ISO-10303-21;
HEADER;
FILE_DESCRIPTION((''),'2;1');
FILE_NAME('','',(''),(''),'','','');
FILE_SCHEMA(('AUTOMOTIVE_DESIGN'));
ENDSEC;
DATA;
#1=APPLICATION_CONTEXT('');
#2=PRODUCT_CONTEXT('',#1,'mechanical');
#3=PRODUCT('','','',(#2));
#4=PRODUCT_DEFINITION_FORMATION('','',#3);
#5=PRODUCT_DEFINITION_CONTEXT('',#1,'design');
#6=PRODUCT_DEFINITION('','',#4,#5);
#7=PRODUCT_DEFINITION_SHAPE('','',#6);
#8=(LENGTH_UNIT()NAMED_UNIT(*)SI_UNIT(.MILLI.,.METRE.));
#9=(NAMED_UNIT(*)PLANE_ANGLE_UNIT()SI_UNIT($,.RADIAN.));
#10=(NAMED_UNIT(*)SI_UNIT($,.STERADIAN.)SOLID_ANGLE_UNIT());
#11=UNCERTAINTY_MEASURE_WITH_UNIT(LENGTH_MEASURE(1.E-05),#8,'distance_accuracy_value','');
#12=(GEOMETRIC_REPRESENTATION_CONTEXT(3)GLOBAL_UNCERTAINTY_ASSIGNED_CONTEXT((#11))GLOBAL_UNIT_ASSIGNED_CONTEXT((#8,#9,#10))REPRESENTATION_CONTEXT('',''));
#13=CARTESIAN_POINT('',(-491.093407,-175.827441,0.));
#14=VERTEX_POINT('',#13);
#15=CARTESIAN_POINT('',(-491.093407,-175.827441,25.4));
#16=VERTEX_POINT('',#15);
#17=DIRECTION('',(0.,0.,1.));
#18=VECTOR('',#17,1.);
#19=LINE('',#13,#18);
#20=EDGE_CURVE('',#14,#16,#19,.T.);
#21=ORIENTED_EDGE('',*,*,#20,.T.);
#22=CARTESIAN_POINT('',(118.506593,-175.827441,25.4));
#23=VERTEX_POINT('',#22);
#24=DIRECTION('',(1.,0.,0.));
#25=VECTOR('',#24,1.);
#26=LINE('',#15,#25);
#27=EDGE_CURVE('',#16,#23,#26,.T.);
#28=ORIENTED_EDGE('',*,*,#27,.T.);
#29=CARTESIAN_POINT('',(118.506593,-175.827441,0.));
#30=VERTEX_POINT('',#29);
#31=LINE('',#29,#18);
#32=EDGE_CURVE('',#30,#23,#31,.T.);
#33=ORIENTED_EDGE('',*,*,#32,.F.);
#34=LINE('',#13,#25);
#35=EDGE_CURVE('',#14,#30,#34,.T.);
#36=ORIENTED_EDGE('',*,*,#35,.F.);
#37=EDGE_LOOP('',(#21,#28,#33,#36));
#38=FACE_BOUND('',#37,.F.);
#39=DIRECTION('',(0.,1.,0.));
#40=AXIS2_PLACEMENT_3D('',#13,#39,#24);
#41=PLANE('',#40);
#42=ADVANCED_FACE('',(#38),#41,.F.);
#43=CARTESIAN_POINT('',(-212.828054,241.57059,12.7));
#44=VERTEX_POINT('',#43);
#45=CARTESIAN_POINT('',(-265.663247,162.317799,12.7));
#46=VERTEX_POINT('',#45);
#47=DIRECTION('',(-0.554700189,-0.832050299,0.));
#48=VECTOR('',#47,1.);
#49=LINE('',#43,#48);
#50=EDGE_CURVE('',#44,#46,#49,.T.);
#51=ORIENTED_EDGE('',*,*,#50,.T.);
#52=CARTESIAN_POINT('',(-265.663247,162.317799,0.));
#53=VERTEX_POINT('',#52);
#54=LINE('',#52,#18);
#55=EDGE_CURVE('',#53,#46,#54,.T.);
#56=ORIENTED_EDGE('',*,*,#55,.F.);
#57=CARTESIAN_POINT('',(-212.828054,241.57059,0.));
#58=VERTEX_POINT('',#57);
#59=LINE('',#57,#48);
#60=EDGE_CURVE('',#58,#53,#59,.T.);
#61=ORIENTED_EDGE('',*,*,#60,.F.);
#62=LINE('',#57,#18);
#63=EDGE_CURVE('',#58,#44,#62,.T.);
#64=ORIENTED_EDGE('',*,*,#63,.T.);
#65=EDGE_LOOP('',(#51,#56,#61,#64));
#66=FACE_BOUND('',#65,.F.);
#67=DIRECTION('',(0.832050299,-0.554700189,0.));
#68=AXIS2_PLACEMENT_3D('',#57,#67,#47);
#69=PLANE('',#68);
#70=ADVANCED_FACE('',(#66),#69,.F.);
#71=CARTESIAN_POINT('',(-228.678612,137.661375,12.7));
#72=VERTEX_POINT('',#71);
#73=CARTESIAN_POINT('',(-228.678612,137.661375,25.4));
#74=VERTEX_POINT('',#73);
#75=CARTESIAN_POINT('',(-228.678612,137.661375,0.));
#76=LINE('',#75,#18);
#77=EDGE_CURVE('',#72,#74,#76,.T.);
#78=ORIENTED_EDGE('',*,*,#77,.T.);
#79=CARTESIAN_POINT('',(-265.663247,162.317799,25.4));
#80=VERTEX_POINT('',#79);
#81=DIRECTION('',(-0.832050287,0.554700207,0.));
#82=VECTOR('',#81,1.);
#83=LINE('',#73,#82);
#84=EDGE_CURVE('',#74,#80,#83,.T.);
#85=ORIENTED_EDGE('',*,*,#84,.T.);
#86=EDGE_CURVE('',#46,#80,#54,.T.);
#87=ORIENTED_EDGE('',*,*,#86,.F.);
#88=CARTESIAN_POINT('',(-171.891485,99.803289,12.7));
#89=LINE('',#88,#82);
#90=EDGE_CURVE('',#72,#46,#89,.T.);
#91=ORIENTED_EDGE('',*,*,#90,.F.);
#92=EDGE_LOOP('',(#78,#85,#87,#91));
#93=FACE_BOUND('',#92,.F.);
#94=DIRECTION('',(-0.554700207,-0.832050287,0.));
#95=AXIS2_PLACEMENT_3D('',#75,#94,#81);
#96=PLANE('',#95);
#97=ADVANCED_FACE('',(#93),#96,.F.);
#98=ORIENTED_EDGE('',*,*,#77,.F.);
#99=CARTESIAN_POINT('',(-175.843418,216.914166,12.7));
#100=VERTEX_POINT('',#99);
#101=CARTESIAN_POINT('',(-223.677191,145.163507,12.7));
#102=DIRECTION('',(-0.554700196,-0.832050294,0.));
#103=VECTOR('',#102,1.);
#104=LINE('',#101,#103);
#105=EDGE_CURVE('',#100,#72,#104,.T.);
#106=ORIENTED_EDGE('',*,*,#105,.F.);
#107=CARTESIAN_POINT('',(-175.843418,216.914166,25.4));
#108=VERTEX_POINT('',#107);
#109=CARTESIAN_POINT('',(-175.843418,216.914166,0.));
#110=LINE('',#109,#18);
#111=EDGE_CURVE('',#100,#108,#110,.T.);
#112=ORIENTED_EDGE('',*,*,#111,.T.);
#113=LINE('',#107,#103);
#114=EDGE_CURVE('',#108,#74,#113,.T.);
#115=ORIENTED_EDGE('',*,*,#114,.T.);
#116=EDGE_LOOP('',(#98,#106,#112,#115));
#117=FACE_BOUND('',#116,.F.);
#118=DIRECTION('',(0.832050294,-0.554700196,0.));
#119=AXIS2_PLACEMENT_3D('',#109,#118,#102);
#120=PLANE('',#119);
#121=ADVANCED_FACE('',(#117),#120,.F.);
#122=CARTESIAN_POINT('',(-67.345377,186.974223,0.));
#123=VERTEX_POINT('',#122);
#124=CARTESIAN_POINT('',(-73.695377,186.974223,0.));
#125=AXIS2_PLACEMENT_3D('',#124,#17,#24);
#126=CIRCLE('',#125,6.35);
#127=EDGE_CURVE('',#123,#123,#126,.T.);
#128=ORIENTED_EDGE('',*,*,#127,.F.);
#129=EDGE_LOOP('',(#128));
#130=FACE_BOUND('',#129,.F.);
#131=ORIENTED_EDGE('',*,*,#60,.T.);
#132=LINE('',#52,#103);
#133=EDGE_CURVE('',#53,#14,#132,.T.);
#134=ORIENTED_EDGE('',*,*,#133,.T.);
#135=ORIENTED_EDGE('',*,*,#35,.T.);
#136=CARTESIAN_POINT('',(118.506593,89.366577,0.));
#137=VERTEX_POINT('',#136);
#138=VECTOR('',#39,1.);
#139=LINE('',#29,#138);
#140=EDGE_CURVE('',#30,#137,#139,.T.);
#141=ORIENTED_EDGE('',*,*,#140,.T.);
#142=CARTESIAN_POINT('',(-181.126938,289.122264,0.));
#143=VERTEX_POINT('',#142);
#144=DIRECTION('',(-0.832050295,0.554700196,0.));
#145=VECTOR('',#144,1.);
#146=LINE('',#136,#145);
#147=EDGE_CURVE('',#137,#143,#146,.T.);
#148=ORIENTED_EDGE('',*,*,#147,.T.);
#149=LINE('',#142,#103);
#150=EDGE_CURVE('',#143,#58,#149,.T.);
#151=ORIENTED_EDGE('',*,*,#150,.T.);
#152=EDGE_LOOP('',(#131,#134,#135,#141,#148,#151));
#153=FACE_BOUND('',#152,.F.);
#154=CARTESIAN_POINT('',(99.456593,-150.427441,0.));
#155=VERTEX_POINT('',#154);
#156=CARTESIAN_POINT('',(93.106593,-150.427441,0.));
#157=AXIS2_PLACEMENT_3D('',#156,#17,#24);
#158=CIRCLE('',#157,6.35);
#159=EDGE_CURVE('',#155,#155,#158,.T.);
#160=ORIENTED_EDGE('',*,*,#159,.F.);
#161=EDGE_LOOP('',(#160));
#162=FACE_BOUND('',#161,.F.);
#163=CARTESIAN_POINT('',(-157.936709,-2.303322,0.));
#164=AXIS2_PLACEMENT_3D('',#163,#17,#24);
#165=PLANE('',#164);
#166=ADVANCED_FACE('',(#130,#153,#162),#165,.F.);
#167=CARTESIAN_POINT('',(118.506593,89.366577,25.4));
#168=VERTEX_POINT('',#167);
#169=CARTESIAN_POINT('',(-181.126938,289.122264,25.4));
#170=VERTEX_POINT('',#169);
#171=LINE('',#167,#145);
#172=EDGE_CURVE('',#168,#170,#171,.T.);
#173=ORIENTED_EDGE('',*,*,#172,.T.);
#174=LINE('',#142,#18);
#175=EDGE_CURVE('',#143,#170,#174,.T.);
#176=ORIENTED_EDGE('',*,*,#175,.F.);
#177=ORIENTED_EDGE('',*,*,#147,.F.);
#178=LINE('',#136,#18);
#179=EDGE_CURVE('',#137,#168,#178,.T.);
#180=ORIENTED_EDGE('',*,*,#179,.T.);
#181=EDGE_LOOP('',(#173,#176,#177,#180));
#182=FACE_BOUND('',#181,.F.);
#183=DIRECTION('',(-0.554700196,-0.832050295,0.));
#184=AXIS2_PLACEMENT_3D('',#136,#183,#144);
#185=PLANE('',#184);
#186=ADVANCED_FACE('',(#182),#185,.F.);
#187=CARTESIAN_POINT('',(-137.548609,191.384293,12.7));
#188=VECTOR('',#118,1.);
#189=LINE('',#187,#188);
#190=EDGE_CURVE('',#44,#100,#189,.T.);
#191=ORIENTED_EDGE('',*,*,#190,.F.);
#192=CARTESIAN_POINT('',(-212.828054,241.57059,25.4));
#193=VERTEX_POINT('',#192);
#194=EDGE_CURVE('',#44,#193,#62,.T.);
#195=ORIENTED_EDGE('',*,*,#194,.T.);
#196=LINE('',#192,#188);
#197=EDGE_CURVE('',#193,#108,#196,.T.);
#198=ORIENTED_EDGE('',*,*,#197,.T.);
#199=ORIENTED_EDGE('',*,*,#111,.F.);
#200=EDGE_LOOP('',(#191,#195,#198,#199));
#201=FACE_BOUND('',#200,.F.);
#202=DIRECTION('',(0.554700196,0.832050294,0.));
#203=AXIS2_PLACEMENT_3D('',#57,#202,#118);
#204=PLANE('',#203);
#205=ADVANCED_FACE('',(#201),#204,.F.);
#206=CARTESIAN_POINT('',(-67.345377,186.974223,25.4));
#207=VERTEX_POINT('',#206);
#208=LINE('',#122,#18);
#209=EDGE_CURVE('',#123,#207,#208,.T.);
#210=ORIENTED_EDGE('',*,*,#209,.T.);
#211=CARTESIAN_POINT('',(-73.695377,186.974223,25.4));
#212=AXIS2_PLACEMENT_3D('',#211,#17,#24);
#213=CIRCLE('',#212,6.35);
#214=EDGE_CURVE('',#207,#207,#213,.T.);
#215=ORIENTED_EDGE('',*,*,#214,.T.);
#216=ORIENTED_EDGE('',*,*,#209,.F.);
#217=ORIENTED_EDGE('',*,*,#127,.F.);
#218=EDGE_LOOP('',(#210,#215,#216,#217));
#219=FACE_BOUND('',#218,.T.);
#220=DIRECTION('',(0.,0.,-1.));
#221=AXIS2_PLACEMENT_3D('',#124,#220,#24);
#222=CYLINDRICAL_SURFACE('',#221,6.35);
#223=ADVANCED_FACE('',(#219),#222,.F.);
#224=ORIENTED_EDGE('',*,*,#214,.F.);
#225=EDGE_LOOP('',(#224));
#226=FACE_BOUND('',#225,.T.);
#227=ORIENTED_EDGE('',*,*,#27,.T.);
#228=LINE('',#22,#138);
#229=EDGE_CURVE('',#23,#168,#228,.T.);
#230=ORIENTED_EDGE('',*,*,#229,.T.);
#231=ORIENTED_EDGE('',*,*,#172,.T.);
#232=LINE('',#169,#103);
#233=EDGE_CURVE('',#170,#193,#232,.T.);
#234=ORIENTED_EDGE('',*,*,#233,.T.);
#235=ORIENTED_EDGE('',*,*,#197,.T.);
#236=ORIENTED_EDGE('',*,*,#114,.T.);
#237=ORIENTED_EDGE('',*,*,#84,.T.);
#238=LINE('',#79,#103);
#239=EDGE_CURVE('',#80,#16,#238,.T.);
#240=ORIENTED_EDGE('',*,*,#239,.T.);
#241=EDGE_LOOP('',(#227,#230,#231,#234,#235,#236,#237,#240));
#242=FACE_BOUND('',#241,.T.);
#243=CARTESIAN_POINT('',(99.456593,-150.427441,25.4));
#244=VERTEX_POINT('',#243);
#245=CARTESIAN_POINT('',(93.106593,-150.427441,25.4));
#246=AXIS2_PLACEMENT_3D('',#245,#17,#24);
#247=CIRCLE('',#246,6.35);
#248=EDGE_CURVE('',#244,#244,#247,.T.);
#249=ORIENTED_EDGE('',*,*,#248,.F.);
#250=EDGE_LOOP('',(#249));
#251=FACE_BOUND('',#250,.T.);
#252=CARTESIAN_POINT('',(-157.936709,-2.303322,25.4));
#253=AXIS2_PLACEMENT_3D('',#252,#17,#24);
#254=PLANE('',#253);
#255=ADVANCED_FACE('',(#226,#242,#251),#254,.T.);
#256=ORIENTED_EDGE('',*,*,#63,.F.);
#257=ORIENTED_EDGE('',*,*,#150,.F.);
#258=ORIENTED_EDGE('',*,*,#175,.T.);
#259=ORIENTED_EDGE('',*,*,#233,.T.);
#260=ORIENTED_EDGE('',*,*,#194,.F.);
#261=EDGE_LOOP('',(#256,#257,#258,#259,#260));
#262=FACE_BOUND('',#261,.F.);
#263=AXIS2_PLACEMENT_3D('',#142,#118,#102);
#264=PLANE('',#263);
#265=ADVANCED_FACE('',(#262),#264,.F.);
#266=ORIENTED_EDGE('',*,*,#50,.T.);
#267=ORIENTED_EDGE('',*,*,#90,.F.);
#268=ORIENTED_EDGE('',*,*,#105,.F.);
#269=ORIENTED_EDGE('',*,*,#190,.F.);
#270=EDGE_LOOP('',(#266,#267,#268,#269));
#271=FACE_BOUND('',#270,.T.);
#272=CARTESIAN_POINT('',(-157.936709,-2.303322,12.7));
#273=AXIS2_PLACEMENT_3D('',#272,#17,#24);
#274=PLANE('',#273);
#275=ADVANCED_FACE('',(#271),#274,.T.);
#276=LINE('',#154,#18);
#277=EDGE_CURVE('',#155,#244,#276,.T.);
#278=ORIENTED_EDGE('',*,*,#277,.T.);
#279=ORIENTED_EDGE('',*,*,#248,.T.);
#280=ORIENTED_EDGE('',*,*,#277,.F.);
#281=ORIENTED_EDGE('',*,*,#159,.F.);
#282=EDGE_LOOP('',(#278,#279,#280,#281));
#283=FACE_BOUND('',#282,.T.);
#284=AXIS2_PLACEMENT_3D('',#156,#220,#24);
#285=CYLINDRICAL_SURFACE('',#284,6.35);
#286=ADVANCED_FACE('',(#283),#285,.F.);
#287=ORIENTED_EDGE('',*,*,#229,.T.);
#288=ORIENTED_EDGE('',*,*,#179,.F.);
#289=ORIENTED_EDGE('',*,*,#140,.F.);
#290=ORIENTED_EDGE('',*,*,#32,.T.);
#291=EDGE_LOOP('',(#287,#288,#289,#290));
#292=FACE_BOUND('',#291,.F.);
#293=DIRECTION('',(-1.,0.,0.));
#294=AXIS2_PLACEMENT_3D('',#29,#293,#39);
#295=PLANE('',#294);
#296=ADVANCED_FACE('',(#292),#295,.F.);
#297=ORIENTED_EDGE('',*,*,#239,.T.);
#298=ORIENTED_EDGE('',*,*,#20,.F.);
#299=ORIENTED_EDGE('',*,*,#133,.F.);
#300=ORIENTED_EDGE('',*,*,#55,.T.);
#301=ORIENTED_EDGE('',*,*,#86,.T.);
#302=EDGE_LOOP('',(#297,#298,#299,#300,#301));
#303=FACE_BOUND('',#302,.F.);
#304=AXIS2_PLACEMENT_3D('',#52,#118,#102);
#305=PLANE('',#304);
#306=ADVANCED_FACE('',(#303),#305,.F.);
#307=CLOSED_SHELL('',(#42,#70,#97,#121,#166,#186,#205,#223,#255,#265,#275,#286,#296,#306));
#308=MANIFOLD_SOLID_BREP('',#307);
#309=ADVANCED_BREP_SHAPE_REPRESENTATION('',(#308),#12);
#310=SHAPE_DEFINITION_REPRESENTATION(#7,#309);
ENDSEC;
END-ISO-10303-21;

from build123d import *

# Parameters (mm, degrees)
F0_R     = 6.35
F1_DEPTH = 25.4
F2_DEPTH = 12.7


with BuildPart() as f1:
    # F0 (on Top) → F1 (new body)
    with BuildSketch(Plane.XY):
        Polygon((-265.663247, 162.317799), (-491.093407, -175.827441), (118.506593, -175.827441), (118.506593, 89.366577), (-181.126938, 289.122264), (-212.828054, 241.57059), (-175.843418, 216.914166), (-228.678612, 137.661375), align=None)
        with Locations((93.106593, -150.427441)):
            Circle(F0_R, mode=Mode.SUBTRACT)
        with Locations((-73.695377, 186.974223)):
            Circle(F0_R, mode=Mode.SUBTRACT)
    extrude(amount=F1_DEPTH)

    # F0 (on Top) → F2 (join)
    with BuildSketch(Plane.XY):
        Polygon((-265.663247, 162.317799), (-491.093407, -175.827441), (118.506593, -175.827441), (118.506593, 89.366577), (-181.126938, 289.122264), (-212.828054, 241.57059), (-175.843418, 216.914166), (-228.678612, 137.661375), align=None)
        with Locations((93.106593, -150.427441)):
            Circle(F0_R, mode=Mode.SUBTRACT)
        with Locations((-73.695377, 186.974223)):
            Circle(F0_R, mode=Mode.SUBTRACT)
        Polygon((-212.828054, 241.57059), (-265.663247, 162.317799), (-228.678612, 137.661375), (-175.843418, 216.914166), align=None)
    extrude(amount=F2_DEPTH)


solid = f1.part
